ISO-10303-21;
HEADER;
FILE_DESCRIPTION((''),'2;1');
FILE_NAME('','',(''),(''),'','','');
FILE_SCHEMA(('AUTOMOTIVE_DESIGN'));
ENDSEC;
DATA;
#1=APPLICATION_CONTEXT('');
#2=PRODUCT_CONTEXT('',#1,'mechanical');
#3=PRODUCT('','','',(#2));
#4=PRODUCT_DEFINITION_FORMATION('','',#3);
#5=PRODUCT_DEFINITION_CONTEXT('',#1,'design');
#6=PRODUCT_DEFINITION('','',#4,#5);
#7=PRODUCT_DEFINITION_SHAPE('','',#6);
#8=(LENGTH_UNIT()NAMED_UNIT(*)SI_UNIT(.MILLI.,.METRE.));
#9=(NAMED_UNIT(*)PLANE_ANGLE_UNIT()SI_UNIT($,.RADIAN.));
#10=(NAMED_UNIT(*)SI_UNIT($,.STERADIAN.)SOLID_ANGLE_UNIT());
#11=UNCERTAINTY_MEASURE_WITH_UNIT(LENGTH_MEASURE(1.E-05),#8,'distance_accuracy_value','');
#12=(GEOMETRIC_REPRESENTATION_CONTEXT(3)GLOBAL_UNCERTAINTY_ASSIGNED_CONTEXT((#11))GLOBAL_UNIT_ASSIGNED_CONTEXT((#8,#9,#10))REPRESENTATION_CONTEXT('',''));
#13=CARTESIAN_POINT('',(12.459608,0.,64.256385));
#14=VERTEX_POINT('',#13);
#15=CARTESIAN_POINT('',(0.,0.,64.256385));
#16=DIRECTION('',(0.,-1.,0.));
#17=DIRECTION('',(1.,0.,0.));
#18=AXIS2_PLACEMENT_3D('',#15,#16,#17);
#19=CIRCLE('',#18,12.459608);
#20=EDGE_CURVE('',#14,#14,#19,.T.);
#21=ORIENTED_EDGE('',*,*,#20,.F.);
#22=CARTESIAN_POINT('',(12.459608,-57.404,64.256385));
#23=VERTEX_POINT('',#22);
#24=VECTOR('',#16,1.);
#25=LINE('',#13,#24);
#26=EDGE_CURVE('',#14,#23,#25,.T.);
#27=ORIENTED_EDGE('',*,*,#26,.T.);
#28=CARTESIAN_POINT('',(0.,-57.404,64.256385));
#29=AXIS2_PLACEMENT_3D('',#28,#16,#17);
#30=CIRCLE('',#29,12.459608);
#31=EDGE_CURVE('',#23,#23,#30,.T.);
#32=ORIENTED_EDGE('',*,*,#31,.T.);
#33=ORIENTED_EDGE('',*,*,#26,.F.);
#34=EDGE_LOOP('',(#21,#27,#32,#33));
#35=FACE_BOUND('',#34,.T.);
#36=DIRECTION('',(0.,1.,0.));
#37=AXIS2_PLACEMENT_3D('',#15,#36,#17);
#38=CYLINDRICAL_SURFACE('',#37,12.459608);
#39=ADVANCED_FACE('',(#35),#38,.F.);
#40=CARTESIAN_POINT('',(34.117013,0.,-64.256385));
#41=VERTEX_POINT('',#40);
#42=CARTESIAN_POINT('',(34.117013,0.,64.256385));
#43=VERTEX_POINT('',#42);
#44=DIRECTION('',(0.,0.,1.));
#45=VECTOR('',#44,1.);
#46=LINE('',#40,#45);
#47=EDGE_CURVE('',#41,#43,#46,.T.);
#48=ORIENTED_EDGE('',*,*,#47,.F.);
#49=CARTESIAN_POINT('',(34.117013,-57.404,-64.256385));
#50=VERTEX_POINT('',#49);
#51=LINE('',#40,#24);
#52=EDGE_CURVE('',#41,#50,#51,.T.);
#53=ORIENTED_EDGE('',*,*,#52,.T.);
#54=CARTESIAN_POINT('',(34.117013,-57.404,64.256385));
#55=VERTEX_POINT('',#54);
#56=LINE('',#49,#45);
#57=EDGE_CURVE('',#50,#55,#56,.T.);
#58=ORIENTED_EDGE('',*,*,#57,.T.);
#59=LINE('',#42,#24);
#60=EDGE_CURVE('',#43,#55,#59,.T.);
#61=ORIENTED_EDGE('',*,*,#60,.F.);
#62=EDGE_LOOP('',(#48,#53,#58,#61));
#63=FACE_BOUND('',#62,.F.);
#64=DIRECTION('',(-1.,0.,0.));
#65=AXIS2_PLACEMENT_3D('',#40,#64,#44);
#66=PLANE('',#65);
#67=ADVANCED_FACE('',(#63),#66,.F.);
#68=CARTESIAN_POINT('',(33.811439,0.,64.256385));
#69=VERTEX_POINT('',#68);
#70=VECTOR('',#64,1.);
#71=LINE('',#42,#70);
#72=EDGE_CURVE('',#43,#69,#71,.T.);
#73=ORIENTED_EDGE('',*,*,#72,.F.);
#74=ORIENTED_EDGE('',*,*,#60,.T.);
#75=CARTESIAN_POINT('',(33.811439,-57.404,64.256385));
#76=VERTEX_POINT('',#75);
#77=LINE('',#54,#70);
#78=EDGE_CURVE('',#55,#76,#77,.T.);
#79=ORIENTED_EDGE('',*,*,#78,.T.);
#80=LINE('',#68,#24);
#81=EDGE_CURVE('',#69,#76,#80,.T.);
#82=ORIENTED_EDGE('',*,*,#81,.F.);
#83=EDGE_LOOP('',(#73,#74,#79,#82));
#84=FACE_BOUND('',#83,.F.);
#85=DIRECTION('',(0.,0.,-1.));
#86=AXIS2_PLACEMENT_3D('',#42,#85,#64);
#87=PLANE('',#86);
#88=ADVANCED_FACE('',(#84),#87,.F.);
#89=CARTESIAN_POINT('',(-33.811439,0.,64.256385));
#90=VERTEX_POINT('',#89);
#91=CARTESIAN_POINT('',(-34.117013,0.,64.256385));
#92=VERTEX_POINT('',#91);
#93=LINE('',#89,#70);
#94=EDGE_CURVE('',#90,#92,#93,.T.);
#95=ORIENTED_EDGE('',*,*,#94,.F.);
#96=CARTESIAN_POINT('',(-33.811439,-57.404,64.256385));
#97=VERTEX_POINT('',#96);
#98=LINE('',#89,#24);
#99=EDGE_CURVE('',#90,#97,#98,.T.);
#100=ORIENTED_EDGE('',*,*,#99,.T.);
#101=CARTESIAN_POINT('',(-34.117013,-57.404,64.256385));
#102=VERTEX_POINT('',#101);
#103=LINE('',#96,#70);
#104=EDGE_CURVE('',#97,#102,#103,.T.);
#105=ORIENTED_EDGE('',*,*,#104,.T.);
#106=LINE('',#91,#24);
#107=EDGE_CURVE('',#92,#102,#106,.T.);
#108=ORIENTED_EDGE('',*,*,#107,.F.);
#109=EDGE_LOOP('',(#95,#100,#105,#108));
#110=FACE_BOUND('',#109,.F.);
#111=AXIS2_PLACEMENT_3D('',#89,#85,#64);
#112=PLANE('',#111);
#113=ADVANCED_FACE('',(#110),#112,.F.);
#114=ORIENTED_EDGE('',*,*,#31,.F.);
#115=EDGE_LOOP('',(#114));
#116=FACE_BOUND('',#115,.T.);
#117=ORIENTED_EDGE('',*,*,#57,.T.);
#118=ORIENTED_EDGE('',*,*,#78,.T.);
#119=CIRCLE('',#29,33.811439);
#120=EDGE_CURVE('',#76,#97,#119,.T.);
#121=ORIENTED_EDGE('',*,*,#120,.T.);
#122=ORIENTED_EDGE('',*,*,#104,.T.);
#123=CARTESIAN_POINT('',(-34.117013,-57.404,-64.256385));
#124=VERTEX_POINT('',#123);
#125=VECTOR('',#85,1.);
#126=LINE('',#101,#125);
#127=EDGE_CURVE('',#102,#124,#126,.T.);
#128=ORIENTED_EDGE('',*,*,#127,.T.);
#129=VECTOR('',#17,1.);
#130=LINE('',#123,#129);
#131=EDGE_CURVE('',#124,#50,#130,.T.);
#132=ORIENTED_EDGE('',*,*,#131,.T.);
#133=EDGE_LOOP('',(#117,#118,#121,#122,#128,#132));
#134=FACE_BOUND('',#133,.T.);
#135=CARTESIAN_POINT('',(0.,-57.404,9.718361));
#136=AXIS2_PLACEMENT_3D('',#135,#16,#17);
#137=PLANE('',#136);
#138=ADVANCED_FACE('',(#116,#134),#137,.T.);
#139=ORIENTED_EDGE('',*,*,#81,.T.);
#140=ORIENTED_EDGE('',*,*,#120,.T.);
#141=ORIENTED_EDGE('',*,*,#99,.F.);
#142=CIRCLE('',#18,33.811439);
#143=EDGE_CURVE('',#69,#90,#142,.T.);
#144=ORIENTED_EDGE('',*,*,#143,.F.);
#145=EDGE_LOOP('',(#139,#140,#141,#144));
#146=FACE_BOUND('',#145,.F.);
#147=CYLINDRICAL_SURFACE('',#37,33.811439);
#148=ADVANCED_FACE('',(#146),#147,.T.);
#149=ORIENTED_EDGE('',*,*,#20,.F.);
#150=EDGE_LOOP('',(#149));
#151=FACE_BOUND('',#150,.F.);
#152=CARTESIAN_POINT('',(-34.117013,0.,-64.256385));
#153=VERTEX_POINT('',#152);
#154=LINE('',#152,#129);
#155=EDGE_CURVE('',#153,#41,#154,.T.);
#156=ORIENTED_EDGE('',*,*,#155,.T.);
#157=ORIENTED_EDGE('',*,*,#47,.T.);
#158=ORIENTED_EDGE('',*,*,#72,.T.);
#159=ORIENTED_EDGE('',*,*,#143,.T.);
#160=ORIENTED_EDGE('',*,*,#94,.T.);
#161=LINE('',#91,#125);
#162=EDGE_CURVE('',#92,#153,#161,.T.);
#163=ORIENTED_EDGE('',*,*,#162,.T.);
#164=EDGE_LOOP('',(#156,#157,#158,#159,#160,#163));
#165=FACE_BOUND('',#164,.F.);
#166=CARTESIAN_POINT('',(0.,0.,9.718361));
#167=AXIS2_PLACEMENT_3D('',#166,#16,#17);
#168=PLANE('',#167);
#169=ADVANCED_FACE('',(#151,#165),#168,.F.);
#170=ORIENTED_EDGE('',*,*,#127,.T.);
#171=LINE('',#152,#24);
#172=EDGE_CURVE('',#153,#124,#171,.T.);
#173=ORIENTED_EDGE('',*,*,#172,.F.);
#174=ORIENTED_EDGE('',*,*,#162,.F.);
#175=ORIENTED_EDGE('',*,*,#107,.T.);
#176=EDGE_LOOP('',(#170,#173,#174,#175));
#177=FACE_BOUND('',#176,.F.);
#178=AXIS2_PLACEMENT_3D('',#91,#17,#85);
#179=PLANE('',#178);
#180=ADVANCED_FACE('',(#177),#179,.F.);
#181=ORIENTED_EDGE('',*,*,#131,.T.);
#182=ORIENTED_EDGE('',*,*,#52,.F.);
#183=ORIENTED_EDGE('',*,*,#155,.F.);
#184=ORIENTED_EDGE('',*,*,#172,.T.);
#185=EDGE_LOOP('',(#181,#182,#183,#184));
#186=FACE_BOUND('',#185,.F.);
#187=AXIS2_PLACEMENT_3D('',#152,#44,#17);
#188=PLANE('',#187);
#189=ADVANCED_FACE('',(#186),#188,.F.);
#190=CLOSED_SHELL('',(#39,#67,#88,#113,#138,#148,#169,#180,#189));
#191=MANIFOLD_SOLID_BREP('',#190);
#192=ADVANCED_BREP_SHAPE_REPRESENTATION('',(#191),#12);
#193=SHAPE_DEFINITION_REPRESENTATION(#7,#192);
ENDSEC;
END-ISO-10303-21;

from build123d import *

# Parameters (mm, degrees)
F0_R     = 12.459608
F1_DEPTH = 57.404


with BuildPart() as f1:
    # F0 (on Front) → F1 (new body)
    with BuildSketch(Plane.XZ):
        with BuildLine():
            Line((34.117013, -64.256385), (34.117013, 64.256385))
            Line((34.117013, 64.256385), (33.811439, 64.256385))
            ThreePointArc((33.811439, 64.256385), (0, 98.067824), (-33.811439, 64.256385))
            Line((-33.811439, 64.256385), (-34.117013, 64.256385))
            Line((-34.117013, 64.256385), (-34.117013, -64.256385))
            Line((-34.117013, -64.256385), (34.117013, -64.256385))
        make_face()
        with Locations((0, 64.256385)):
            Circle(F0_R, mode=Mode.SUBTRACT)
    extrude(amount=F1_DEPTH)


solid = f1.part
